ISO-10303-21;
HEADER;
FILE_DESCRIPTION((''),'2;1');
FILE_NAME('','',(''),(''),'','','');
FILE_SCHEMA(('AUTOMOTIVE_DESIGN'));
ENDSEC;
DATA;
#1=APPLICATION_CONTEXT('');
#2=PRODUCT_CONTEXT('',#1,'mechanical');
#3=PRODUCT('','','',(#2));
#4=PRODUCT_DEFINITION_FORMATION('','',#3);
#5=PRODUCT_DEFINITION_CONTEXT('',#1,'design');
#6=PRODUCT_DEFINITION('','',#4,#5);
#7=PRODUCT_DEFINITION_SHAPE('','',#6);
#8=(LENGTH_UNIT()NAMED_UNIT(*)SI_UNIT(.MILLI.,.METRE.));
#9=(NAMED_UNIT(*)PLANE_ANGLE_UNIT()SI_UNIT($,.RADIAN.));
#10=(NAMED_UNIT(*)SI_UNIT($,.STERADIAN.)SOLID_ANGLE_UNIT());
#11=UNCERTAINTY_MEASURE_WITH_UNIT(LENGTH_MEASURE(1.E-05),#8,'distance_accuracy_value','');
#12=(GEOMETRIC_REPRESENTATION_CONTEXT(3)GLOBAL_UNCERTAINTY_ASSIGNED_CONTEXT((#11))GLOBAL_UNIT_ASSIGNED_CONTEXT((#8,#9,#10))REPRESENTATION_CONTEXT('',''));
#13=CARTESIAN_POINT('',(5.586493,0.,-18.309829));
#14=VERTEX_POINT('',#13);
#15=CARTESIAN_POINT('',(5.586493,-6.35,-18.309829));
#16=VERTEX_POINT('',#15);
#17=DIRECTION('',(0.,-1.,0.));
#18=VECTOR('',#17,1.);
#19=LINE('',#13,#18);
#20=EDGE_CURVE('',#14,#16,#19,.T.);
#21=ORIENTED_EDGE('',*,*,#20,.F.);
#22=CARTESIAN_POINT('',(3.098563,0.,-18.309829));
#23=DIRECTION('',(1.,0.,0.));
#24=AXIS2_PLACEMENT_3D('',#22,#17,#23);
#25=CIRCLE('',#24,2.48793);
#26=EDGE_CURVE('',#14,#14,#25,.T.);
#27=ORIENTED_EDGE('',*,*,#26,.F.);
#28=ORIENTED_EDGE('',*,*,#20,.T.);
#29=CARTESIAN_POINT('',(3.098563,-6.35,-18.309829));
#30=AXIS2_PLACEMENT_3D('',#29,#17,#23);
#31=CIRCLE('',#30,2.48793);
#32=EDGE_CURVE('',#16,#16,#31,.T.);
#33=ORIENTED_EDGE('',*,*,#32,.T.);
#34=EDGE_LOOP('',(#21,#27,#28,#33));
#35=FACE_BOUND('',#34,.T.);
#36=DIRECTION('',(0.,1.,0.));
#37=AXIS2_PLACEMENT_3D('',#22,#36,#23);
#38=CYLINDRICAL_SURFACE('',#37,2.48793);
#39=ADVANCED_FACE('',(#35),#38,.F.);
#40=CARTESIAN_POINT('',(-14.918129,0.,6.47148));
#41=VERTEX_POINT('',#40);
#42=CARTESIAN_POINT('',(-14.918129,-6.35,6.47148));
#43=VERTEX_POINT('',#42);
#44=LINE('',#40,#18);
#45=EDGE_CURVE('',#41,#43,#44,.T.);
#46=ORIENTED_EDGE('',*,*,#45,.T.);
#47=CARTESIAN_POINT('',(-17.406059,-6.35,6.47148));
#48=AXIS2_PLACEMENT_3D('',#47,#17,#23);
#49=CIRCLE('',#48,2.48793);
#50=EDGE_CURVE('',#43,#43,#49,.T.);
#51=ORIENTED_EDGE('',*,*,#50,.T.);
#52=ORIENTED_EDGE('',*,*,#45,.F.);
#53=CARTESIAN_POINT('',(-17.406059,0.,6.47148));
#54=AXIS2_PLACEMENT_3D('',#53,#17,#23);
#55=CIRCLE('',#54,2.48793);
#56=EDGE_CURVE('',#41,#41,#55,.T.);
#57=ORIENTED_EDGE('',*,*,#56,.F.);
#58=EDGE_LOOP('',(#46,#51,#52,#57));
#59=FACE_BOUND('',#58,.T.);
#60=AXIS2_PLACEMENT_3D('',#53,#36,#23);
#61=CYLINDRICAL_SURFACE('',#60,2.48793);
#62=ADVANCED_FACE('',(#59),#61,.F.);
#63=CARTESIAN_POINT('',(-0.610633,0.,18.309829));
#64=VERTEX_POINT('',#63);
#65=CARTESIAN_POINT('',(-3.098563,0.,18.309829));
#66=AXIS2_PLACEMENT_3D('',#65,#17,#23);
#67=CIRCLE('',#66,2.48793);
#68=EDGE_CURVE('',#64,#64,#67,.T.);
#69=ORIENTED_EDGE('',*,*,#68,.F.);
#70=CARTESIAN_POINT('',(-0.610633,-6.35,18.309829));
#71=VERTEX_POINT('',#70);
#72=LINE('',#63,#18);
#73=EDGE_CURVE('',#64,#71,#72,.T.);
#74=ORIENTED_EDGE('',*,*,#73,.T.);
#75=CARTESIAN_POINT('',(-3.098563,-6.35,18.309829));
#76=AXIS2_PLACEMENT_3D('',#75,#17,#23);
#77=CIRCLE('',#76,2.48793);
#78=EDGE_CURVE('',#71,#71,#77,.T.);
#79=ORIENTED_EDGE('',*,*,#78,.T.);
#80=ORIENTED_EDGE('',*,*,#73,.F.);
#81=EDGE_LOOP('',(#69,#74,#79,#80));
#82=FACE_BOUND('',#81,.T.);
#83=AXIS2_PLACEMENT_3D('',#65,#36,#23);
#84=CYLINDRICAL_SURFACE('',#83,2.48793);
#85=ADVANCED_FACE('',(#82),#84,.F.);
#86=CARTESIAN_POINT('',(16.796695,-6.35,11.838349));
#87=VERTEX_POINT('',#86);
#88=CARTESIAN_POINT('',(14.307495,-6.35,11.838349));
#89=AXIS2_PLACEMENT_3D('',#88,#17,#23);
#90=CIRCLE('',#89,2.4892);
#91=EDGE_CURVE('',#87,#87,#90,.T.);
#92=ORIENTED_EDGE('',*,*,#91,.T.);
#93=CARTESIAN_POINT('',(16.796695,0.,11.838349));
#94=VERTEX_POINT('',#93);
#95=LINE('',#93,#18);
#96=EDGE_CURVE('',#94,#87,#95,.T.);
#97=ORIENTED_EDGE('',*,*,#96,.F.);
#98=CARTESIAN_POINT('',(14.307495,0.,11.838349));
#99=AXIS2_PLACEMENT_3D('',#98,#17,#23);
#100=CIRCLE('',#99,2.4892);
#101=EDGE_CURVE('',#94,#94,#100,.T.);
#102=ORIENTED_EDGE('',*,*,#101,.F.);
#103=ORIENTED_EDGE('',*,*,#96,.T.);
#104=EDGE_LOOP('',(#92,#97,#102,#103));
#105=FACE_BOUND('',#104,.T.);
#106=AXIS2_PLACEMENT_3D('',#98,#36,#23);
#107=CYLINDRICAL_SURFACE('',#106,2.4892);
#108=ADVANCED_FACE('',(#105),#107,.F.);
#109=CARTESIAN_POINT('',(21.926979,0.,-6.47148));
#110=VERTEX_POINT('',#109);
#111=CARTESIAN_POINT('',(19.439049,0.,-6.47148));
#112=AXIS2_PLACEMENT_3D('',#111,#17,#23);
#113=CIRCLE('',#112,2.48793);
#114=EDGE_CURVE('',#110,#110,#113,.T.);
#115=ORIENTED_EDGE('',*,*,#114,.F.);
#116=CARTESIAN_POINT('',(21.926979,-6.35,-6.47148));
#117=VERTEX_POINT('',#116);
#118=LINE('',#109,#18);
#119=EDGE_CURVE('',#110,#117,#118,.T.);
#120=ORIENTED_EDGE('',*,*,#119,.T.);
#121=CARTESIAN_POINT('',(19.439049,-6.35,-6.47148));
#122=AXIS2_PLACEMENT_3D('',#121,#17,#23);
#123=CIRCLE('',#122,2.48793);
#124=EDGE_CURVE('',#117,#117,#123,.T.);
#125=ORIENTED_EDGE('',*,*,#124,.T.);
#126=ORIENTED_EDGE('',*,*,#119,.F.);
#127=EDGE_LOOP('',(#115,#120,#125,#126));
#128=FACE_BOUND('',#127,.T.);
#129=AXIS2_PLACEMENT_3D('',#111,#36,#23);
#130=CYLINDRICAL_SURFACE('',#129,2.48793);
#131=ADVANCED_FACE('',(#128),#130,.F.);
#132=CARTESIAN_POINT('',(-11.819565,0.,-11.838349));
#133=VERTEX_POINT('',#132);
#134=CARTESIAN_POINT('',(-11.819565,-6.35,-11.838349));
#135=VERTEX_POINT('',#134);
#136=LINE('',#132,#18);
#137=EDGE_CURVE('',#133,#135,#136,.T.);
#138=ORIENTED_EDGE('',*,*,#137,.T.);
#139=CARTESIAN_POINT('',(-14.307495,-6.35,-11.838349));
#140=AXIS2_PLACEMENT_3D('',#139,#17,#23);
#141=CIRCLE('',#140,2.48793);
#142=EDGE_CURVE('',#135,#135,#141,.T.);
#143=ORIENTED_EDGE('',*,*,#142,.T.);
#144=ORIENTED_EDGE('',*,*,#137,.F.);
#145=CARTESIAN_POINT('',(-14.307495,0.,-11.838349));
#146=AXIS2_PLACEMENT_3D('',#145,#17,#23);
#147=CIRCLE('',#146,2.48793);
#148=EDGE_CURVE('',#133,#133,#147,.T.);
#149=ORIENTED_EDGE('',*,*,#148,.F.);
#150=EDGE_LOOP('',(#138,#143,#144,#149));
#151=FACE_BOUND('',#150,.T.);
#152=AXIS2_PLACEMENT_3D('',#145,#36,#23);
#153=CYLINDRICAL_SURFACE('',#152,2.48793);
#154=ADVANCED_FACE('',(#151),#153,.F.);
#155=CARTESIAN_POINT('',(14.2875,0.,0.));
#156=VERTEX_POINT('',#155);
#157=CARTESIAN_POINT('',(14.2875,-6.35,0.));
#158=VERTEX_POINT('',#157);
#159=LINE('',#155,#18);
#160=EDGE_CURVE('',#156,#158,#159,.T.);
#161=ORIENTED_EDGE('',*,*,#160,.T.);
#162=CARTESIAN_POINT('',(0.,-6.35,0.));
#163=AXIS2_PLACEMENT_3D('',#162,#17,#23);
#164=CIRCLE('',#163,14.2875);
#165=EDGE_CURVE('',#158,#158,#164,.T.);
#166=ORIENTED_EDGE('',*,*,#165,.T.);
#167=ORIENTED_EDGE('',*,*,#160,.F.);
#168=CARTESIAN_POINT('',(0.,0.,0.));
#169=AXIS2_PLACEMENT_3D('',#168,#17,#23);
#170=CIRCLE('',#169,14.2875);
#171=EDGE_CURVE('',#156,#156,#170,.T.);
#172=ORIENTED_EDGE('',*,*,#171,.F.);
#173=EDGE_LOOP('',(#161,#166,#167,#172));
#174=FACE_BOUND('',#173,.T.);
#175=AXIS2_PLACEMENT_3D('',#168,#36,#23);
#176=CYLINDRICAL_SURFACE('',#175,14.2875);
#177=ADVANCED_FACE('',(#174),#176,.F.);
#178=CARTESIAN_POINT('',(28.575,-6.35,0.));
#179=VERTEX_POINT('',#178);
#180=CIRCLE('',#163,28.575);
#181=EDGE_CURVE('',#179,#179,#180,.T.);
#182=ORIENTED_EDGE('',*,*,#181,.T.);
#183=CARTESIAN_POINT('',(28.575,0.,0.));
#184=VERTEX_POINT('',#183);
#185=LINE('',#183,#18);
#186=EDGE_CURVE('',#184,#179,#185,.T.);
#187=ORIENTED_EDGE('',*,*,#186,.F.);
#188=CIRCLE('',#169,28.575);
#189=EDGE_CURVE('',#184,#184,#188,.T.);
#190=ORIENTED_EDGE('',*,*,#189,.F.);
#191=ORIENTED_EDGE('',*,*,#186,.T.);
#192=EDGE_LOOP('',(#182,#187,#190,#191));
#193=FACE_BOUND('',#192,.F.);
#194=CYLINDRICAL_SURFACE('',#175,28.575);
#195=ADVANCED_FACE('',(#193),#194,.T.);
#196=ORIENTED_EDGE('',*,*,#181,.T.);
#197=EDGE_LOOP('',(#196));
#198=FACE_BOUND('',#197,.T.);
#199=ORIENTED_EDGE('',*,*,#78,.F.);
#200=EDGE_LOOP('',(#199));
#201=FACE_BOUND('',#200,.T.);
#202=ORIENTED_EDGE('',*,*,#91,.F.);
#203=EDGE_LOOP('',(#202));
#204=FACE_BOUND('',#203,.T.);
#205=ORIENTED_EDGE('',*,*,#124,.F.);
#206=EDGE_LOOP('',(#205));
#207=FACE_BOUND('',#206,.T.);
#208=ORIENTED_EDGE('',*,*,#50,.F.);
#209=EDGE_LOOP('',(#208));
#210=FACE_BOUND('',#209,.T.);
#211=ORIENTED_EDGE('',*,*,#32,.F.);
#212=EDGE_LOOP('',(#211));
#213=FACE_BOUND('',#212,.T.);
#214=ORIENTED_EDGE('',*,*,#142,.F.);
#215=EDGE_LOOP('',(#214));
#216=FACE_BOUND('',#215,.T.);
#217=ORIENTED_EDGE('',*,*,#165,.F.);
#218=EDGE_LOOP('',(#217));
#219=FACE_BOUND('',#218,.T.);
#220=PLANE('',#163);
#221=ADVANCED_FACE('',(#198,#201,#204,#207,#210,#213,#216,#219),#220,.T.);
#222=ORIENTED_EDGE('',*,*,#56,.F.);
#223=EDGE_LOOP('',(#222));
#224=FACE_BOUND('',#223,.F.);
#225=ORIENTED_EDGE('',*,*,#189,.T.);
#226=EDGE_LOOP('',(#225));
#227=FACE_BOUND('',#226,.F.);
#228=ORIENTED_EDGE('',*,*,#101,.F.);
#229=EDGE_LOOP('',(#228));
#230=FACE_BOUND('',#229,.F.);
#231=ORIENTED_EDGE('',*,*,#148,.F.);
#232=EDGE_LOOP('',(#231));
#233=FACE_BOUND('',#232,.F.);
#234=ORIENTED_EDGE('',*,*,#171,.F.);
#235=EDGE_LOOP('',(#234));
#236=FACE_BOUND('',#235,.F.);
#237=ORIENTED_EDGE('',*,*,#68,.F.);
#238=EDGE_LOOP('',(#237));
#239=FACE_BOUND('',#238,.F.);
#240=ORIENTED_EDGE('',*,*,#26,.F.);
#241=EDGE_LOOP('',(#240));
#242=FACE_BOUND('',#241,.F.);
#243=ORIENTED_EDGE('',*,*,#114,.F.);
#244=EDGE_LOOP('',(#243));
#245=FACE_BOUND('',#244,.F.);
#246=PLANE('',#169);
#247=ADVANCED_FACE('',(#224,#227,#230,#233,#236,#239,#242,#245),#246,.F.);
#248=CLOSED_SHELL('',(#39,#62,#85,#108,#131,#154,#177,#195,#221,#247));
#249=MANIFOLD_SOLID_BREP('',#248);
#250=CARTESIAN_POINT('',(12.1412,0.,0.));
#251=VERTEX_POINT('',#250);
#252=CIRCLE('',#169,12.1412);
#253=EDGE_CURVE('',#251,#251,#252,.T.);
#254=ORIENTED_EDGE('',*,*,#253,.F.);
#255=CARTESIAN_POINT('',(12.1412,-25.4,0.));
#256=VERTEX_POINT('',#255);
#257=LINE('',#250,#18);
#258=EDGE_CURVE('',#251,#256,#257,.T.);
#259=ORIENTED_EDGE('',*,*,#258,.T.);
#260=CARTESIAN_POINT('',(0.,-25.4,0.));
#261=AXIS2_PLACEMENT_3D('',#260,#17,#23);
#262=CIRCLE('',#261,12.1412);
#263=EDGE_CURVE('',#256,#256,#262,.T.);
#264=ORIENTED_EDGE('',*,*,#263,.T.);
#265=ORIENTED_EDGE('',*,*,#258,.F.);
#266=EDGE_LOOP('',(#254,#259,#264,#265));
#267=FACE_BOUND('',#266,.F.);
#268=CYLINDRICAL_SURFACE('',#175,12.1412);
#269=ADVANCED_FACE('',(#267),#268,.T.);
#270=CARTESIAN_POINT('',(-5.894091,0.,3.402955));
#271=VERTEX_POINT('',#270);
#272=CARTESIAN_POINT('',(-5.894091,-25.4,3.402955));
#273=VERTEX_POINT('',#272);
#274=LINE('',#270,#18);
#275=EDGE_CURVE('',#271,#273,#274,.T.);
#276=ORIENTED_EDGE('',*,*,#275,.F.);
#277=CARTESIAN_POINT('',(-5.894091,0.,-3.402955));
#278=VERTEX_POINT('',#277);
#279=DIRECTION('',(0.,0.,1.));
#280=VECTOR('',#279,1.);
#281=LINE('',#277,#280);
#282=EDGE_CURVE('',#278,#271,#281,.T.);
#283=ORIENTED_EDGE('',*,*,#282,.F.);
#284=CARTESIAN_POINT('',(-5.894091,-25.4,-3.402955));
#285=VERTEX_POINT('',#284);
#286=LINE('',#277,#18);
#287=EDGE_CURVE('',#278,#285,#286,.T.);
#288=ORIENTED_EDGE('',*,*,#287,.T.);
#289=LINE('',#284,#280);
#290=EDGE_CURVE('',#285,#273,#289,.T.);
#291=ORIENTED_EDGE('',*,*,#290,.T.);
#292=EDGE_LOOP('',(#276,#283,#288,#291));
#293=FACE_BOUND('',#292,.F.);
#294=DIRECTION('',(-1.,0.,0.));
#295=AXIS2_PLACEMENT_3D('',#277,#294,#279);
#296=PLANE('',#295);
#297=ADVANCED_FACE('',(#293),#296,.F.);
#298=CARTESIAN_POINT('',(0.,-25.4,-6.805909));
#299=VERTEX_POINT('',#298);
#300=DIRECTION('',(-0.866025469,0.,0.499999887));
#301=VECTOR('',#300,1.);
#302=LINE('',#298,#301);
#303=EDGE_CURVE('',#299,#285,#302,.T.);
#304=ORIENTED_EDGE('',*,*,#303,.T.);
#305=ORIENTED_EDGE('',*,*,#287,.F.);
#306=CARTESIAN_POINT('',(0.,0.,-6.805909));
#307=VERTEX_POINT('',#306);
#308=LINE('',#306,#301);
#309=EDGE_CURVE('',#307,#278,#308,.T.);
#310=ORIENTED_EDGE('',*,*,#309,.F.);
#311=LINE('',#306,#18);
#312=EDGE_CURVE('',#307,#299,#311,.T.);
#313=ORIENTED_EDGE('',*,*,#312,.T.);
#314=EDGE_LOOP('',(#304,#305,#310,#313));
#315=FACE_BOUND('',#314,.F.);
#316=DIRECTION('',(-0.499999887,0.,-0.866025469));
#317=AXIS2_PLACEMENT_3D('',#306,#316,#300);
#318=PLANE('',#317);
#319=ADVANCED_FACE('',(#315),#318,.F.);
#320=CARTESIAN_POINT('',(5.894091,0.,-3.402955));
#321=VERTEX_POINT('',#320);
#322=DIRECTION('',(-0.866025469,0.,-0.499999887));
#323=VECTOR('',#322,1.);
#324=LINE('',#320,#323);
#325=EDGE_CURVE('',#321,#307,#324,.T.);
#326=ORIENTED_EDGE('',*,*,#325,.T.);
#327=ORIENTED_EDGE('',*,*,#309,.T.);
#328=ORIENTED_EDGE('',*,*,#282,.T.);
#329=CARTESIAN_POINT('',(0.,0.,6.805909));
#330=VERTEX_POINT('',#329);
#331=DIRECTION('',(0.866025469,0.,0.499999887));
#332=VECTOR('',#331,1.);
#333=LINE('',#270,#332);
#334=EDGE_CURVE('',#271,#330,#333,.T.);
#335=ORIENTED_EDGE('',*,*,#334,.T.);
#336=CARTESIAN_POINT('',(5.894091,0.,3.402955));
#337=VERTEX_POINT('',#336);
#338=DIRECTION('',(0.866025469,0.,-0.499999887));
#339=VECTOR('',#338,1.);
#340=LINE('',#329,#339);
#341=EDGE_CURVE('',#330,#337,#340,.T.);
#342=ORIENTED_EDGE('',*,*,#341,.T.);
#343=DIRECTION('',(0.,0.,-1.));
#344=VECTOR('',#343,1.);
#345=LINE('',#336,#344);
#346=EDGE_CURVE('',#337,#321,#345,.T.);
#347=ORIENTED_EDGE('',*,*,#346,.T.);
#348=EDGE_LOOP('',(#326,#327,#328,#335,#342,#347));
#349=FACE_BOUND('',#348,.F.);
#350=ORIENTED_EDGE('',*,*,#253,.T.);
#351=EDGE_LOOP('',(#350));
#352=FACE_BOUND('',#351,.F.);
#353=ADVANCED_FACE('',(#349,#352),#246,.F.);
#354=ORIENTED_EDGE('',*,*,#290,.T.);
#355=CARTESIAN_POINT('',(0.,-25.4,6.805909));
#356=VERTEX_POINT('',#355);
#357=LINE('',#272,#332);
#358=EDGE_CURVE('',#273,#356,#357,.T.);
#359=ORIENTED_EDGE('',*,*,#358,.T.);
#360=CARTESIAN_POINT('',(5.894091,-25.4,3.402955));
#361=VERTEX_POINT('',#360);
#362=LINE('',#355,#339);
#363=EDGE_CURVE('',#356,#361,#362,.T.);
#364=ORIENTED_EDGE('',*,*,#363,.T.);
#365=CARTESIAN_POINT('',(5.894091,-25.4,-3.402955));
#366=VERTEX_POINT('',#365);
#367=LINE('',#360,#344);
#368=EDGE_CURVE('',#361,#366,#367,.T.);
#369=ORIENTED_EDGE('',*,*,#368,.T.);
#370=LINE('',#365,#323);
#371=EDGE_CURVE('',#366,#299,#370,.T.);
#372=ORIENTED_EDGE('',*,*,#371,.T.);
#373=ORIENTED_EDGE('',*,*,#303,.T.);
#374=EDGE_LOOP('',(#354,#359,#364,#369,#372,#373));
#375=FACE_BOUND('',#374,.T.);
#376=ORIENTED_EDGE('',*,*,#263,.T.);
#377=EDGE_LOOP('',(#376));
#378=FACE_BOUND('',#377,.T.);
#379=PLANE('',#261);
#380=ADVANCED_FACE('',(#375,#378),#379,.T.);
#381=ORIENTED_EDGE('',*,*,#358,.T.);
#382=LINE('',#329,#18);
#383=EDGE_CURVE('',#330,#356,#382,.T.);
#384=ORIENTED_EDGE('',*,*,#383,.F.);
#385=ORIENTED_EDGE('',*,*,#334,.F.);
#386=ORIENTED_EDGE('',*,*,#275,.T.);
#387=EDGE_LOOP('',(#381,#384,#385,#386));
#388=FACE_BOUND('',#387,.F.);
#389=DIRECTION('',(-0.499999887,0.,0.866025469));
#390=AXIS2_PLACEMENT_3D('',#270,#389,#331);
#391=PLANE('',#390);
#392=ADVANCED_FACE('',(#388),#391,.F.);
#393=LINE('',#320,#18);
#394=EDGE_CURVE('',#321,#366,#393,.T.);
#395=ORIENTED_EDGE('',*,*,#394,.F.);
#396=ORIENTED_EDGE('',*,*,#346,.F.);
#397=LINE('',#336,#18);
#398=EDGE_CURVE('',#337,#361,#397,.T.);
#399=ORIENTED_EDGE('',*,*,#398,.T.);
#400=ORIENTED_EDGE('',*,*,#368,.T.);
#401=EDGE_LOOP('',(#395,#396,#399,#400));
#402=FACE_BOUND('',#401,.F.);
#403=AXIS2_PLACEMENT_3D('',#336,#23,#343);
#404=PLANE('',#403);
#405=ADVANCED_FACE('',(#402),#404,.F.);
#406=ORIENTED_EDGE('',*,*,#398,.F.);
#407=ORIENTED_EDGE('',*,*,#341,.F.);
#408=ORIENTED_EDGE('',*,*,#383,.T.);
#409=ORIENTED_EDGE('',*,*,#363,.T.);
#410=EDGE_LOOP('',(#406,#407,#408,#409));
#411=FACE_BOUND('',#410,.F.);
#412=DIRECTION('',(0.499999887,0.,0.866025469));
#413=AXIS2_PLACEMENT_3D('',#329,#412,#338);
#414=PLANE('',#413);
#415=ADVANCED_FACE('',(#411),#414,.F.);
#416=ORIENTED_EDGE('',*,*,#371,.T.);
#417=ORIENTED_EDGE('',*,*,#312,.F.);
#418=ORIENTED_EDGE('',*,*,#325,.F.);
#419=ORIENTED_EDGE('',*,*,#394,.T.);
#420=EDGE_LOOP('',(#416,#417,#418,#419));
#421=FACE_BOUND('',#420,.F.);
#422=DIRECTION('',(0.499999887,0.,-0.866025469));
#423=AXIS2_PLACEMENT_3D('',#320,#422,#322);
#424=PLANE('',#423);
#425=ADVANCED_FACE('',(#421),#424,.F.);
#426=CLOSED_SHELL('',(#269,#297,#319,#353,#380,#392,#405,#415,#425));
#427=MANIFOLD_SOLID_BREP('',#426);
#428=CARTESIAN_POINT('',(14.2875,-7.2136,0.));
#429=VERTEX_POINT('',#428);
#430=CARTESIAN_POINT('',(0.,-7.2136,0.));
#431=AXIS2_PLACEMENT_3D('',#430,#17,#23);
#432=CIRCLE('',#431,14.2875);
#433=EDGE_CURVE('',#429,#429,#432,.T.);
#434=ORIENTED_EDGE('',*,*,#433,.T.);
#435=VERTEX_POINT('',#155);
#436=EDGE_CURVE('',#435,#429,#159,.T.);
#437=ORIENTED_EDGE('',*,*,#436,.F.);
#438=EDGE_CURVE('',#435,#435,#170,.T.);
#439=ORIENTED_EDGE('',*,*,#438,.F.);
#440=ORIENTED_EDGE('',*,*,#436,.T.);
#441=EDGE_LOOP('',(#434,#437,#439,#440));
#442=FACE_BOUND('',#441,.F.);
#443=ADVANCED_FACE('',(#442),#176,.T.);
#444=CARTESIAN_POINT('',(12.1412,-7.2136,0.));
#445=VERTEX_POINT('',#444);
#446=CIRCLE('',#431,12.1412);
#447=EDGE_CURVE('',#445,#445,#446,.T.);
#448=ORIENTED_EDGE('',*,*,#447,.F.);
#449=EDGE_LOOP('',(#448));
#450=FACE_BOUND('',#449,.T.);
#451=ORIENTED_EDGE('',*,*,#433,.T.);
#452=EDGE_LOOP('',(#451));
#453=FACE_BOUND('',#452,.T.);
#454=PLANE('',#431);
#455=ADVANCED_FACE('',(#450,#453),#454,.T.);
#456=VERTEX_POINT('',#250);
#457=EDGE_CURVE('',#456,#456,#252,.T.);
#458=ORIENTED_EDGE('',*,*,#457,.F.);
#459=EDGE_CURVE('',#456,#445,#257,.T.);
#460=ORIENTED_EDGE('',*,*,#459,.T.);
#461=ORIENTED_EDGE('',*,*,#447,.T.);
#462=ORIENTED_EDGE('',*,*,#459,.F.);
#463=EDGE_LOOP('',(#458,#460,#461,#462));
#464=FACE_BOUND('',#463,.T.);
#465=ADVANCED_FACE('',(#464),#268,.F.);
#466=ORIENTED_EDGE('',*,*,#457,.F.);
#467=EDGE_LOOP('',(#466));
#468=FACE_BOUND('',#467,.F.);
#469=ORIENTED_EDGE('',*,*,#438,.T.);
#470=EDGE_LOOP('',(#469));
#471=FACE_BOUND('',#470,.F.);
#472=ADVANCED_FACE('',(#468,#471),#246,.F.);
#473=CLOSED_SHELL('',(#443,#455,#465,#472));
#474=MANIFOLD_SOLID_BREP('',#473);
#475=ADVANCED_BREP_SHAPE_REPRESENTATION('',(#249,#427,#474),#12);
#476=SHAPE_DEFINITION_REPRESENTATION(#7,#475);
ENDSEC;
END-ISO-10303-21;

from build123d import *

# Parameters (mm, degrees)
F0_R     = 12.1412
F1_DEPTH = 25.4
F0_R_2   = 28.575
F0_R_3   = 2.48793
F0_R_4   = 14.2875
F0_R_5   = 2.4892
F2_DEPTH = 6.35
F3_DEPTH = 7.2136


with BuildPart() as f1:
    # F0 (on Front) → F1 (new body)
    with BuildSketch(Plane.XZ):
        Circle(F0_R)
        Polygon((0, 6.805909), (5.894091, 3.402955), (5.894091, -3.402955), (0, -6.805909), (-5.894091, -3.402955), (-5.894091, 3.402955), align=None, mode=Mode.SUBTRACT)
    extrude(amount=F1_DEPTH)


with BuildPart() as f2:
    # F0 (on Front) → F2 (new body)
    with BuildSketch(Plane.XZ):
        Circle(F0_R_2)
        with Locations((-14.307495, -11.838349)):
            Circle(F0_R_3, mode=Mode.SUBTRACT)
        with Locations((3.098563, -18.309829)):
            Circle(F0_R_3, mode=Mode.SUBTRACT)
        with Locations((19.439049, -6.47148)):
            Circle(F0_R_3, mode=Mode.SUBTRACT)
        with Locations((-17.406059, 6.47148)):
            Circle(F0_R_3, mode=Mode.SUBTRACT)
        with Locations((-3.098563, 18.309829)):
            Circle(F0_R_3, mode=Mode.SUBTRACT)
        Circle(F0_R_4, mode=Mode.SUBTRACT)
        with Locations((14.307495, 11.838349)):
            Circle(F0_R_5, mode=Mode.SUBTRACT)
    extrude(amount=F2_DEPTH)


with BuildPart() as f3:
    # F0 (on Front) → F3 (new body)
    with BuildSketch(Plane.XZ):
        Circle(F0_R_4)
        Circle(F0_R, mode=Mode.SUBTRACT)
    extrude(amount=F3_DEPTH)


solid = Compound([f1.part, f2.part, f3.part])
